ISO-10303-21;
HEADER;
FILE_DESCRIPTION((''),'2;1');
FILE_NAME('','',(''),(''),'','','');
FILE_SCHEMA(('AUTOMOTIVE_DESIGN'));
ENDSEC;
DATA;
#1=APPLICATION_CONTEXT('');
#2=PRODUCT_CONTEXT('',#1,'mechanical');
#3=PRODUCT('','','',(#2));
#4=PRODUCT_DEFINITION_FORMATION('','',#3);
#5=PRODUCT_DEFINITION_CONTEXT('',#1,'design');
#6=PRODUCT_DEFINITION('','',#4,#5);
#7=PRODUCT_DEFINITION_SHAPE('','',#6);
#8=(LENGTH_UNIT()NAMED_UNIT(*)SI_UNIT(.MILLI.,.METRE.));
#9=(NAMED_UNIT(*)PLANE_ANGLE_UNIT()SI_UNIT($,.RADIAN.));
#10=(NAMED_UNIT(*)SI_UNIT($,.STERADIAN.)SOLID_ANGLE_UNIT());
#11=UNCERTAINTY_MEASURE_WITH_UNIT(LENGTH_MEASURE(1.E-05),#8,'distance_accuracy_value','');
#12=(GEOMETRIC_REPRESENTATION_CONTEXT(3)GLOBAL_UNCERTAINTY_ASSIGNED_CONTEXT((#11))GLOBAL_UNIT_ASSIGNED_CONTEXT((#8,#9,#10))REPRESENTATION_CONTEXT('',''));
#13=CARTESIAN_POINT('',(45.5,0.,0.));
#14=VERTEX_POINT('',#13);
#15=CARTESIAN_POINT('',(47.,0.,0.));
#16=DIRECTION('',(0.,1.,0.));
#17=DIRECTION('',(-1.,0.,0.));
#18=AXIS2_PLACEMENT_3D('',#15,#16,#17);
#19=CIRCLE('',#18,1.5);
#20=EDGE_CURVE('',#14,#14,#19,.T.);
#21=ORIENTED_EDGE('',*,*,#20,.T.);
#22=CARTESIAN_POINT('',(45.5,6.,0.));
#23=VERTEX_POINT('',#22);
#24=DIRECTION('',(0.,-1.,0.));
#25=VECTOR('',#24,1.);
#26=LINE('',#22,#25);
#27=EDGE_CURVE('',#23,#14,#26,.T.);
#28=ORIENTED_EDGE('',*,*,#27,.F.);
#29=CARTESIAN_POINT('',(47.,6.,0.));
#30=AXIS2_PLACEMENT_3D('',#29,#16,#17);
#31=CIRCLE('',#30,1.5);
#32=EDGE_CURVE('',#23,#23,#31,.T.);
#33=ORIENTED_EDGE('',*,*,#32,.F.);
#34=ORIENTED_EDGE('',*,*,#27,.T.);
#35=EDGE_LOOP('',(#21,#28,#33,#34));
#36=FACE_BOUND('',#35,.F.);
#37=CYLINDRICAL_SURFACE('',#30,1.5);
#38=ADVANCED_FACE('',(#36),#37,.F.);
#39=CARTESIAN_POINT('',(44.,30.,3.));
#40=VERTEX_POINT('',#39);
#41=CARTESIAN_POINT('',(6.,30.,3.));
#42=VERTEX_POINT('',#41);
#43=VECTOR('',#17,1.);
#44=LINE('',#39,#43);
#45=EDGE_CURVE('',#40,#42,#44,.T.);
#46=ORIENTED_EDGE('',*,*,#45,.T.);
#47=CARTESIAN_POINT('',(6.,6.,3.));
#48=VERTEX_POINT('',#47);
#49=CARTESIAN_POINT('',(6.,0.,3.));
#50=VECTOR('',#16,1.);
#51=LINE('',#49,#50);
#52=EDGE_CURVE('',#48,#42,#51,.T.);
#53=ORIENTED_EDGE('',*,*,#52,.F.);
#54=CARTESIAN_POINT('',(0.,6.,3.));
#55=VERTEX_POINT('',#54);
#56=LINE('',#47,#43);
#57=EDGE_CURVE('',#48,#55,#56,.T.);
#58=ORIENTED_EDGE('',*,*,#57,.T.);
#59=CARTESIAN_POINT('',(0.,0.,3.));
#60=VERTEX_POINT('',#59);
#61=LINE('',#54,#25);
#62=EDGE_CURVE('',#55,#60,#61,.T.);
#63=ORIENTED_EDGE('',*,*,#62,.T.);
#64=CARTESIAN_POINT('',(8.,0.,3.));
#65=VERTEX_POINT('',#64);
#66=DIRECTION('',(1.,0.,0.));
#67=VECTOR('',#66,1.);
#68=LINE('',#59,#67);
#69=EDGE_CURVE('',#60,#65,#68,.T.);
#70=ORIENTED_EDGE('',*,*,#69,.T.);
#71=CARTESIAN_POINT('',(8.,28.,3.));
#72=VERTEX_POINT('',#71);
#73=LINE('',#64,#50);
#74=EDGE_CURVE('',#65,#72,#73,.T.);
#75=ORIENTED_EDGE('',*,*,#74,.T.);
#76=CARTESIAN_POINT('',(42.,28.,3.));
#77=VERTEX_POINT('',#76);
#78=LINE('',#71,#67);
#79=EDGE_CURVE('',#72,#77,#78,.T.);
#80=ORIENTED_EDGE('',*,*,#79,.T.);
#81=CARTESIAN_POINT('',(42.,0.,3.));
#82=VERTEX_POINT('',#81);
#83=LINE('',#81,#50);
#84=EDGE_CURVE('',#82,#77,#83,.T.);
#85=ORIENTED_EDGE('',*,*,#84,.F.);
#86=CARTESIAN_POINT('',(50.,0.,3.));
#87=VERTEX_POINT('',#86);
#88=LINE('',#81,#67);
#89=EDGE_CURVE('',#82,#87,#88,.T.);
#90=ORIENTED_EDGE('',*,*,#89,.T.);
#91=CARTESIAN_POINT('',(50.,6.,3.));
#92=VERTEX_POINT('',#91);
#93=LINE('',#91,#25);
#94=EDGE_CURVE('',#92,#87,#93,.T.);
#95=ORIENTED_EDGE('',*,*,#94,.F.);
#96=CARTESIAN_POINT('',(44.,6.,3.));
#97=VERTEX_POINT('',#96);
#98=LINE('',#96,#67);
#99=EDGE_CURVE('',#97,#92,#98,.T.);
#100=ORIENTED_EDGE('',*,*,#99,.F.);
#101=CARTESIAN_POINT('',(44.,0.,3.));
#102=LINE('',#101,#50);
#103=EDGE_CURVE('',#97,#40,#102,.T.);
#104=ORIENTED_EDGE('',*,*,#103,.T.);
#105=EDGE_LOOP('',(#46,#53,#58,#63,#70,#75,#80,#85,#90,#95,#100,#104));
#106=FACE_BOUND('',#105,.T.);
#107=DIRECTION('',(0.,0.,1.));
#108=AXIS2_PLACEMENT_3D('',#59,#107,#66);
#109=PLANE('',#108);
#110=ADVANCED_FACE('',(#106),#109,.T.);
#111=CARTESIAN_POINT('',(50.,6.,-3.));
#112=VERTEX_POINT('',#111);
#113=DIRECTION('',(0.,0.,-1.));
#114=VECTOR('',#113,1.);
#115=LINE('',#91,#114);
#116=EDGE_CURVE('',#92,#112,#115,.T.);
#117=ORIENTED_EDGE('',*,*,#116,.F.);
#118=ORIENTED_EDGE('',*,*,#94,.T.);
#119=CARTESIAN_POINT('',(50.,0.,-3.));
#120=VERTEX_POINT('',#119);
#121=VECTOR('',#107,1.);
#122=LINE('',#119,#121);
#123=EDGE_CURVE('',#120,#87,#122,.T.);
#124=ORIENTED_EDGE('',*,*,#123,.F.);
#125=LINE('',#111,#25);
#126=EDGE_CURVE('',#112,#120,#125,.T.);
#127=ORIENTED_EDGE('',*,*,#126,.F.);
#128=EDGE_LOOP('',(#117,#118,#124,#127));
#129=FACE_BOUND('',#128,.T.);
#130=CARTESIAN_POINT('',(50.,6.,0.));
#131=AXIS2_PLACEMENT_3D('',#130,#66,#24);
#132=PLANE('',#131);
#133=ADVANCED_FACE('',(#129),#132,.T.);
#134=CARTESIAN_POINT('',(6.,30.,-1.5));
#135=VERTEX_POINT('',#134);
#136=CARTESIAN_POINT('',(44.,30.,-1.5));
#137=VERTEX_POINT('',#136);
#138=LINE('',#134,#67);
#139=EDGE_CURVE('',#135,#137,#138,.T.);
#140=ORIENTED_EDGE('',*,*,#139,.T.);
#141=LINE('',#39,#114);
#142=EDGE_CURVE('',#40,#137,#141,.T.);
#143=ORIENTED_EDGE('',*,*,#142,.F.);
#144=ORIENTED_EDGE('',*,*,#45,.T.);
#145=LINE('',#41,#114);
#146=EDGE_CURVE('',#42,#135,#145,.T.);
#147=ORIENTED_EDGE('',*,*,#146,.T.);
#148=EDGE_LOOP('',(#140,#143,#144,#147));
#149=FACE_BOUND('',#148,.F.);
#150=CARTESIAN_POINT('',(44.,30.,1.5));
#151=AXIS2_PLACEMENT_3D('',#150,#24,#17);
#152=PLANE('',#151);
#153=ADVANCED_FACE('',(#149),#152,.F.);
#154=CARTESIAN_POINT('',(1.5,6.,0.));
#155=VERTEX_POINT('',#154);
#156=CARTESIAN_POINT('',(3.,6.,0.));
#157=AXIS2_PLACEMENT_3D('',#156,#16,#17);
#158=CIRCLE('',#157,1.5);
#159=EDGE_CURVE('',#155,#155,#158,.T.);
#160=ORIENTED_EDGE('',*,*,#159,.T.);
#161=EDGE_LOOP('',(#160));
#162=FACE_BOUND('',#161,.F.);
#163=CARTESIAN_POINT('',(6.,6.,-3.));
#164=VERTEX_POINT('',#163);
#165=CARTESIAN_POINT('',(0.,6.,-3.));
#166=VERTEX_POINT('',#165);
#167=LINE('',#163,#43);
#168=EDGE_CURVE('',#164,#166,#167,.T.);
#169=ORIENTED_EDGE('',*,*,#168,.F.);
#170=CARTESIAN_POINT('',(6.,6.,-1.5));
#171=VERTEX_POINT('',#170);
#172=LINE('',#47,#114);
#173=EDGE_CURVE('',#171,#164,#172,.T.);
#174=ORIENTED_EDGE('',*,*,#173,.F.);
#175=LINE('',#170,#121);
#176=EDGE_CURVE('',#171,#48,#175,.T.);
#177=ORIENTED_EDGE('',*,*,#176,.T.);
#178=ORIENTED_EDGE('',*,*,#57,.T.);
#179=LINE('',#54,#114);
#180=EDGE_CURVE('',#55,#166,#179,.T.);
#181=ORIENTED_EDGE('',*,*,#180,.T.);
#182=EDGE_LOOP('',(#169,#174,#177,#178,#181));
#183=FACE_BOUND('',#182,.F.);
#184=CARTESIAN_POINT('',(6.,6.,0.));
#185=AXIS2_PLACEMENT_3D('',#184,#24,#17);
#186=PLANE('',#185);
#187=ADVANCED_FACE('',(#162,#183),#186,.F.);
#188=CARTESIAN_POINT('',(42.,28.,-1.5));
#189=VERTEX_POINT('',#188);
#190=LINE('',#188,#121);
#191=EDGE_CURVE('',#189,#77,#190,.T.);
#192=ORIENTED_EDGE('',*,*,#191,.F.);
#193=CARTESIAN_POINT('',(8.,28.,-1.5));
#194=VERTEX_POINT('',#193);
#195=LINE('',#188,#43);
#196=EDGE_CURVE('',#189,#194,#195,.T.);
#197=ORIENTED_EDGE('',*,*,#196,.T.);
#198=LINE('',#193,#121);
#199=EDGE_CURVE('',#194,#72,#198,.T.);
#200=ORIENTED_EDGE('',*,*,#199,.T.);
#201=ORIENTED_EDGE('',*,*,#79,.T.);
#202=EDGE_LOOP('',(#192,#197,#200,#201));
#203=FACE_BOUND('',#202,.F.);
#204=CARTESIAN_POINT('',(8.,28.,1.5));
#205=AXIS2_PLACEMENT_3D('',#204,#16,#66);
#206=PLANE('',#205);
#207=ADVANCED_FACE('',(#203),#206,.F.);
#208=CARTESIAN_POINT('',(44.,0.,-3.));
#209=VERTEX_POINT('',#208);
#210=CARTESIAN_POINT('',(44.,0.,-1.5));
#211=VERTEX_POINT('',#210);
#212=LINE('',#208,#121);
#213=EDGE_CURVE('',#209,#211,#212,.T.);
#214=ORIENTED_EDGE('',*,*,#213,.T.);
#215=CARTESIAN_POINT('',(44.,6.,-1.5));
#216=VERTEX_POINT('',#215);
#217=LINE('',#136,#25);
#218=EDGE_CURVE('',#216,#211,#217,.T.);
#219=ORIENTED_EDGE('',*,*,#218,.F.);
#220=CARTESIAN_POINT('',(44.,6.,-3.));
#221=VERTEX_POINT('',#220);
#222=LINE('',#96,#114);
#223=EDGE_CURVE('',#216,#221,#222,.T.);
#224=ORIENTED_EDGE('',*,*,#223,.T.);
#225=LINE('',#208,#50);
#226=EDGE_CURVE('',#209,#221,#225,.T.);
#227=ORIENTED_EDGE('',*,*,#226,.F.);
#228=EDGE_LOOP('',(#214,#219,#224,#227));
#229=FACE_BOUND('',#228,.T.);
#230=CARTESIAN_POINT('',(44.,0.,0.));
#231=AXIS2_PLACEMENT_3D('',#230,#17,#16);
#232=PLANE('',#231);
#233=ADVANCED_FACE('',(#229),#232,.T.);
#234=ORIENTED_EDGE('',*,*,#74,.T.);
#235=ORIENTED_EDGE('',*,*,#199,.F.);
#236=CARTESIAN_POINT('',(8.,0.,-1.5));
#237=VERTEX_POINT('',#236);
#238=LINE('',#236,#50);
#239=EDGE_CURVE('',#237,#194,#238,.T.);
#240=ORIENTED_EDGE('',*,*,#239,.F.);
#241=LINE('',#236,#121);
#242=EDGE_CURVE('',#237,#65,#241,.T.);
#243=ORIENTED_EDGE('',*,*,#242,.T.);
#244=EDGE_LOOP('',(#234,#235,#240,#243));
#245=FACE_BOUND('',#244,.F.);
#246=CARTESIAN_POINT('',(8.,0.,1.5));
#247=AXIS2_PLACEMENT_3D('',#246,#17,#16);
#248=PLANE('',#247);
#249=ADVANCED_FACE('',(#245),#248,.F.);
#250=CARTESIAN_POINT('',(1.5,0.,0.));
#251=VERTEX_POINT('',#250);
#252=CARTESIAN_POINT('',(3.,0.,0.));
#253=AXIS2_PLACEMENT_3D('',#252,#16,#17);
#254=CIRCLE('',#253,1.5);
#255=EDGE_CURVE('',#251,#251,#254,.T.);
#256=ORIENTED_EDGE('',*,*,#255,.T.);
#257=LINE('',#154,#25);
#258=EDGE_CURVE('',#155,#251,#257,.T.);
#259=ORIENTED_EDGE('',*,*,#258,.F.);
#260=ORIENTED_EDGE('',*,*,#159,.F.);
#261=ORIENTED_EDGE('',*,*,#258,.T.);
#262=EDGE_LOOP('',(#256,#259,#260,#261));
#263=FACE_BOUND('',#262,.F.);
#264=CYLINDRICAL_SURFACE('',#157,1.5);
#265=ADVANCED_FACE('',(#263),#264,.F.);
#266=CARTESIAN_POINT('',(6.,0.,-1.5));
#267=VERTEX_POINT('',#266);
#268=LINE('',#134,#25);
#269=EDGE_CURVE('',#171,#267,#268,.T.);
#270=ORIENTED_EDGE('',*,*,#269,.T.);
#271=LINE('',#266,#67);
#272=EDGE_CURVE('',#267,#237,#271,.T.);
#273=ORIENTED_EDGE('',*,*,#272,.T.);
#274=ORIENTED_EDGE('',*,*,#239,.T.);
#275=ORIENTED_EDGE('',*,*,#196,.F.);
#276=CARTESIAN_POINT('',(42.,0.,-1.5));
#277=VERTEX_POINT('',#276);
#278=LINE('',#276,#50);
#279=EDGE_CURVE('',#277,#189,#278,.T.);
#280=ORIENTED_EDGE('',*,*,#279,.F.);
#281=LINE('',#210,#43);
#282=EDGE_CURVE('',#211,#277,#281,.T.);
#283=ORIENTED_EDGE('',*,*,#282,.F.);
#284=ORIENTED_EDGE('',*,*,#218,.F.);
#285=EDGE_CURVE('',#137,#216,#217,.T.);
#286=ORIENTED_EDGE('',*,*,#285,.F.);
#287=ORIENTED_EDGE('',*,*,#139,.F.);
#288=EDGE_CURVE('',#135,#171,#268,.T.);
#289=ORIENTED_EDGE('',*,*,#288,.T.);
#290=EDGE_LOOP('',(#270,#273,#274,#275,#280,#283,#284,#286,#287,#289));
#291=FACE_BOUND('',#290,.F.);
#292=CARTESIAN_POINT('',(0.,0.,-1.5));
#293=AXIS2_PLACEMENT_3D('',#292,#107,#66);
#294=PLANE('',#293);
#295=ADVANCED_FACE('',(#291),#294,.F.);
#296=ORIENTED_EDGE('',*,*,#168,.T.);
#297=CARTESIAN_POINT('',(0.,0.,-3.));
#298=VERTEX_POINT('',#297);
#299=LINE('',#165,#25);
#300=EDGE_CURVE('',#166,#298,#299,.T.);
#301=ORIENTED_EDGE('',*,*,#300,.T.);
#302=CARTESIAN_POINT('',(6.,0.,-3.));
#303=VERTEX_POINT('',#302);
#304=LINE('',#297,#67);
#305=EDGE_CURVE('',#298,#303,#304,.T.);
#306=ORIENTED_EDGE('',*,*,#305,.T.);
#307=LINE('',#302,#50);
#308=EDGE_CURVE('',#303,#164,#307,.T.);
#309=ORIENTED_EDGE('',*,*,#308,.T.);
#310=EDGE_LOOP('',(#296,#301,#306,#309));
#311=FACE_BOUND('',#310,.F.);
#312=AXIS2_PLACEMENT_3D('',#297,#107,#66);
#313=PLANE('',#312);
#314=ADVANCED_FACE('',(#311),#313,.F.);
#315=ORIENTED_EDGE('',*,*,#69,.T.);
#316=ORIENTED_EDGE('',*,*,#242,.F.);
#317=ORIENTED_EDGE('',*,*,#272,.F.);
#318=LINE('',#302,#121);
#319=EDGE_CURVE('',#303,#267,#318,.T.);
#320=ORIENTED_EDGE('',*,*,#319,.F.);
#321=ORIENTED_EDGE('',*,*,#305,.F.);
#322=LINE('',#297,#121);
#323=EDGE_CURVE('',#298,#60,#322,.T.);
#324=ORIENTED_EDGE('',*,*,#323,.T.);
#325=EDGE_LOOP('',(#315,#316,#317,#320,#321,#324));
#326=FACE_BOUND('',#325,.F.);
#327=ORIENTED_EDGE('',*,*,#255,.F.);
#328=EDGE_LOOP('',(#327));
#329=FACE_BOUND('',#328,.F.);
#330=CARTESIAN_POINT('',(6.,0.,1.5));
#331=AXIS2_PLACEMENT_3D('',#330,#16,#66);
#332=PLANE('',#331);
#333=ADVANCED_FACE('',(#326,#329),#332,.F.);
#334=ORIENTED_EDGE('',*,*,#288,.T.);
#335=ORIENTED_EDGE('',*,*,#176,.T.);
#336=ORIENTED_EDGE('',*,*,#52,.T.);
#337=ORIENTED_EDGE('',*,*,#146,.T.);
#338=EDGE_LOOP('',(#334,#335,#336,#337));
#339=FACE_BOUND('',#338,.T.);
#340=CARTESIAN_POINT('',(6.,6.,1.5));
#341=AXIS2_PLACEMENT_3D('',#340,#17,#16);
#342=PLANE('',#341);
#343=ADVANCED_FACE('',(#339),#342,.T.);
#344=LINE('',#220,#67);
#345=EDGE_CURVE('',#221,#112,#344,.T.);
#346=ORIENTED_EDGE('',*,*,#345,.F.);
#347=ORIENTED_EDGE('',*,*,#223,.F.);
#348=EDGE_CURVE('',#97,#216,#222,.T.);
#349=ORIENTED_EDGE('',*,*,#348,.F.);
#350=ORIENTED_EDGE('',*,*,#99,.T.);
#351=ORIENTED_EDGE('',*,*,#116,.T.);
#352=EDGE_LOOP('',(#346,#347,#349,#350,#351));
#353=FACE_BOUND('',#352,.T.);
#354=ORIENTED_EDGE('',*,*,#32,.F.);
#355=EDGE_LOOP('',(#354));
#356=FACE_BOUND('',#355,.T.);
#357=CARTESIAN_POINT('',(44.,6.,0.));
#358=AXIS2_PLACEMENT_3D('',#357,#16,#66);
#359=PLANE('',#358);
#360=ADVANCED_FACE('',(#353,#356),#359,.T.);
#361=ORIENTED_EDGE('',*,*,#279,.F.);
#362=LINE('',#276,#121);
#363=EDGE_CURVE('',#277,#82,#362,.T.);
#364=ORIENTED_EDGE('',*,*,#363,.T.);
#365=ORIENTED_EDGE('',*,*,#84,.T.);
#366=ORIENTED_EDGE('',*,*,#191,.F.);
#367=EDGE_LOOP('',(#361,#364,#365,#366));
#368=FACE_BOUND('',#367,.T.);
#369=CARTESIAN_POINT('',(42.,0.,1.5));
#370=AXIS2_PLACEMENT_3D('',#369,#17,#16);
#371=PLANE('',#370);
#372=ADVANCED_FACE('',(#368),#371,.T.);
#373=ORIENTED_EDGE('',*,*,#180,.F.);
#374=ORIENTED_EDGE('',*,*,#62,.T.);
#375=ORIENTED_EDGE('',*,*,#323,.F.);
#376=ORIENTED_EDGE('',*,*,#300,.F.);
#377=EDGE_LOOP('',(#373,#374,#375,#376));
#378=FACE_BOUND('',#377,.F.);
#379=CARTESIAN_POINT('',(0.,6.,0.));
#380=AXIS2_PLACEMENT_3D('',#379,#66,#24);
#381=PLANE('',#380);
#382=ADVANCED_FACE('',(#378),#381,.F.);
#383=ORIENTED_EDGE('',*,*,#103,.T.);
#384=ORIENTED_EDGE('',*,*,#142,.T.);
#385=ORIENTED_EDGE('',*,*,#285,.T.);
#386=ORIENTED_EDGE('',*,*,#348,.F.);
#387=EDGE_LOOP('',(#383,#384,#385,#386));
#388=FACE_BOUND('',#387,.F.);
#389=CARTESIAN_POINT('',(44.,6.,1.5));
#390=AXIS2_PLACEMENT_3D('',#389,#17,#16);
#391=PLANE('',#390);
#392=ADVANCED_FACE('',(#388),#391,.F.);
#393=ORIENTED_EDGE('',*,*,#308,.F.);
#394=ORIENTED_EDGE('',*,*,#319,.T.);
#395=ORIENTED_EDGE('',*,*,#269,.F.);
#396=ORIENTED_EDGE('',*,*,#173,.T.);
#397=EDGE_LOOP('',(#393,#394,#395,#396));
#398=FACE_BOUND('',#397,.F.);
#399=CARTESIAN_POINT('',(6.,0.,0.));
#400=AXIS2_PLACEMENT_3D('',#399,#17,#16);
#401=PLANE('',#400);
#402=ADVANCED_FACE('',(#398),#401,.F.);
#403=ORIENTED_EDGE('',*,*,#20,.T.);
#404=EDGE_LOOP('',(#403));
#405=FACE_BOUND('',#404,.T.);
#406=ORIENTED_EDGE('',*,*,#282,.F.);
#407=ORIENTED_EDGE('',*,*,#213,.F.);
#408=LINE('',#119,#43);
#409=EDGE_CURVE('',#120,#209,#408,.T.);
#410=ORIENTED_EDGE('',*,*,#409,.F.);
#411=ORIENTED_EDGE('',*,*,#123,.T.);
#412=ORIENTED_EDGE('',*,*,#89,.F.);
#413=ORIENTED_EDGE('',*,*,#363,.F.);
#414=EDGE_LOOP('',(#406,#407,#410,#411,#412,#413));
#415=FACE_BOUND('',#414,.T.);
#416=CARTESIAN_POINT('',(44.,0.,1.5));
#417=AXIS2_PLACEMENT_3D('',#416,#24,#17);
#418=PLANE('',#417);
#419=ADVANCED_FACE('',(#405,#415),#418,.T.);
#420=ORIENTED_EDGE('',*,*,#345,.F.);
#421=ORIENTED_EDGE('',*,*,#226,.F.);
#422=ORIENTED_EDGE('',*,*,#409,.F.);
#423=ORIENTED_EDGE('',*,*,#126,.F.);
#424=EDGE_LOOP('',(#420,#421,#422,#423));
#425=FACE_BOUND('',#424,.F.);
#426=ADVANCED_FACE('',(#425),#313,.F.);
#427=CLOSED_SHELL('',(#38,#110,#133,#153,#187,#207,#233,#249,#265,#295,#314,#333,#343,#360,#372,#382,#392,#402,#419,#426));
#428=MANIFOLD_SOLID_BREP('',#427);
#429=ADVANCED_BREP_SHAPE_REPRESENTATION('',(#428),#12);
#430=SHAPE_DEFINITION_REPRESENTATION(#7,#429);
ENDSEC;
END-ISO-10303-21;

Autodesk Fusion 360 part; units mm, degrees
sketch "Sketch1" plane through (0, 0, 0) normal (0, 0, 1) x (1, 0, 0)
  line L0 (0, 0) -> (6, 0)
  line L1 (6, 0) -> (6, 6)
  line L2 (6, 6) -> (0, 6)
  line L3 (0, 6) -> (0, 0)
  line L4 (6, 0) -> (8, 0)
  line L5 (8, 0) -> (8, 30)
  line L6 (8, 30) -> (6, 30)
  line L7 (6, 30) -> (6, 0)
  line L8 (6, 30) -> (25, 30)
  line L9 (25, 30) -> (25, 28)
  line L10 (25, 28) -> (6, 28)
  line L11 (6, 28) -> (6, 30)
  line L12 (50, 6) -> (50, 0)
  line L13 (44, 6) -> (50, 6)
  line L14 (44, 0) -> (42, 0)
  line L15 (50, 0) -> (44, 0)
  line L16 (44, 30) -> (25, 30)
  line L17 (42, 0) -> (42, 30)
  line L18 (44, 0) -> (44, 6)
  line L19 (44, 30) -> (44, 0)
  line L20 (25, 28) -> (44, 28)
  line L21 (44, 28) -> (44, 30)
  line L22 (42, 30) -> (44, 30)
  point P0 (50, 0)
  dimension "d1" = 6
  dimension "d2" = 6
  dimension "d3" = 2
  dimension "d4" = 30
  dimension "d5" = 19
  dimension "d6" = 2
extrude "Extrude1" add sketch "Sketch1" along normal blind 3 and the other way blind 3 contours L0 L1 L2 L3 L7 | L12 L13 L15 L18 L19 makes body 1 at (0, 2, 1) makes body 2 at (46, 2, 3)
extrude "Extrude2" add sketch "Sketch1" along normal blind 1.5 and the other way blind 1.5 contours L1 L4 L5 L7 L10 | L5 L6 L7 L8 L10 L11 | L5 L8 L9 L10 | L9 L16 L17 L20 | L14 L17 L18 L19 L20 | L16 L17 L19 L20 L21 L22 bodies 1 2
sketch "Sketch2" plane through (0, 6, 0) normal (0, 1, 0) x (-1, 0, 0)
  line L0 (0, -3) -> (0, 3)
  line L1 (0, 3) -> (-6, 3)
  line L2 (-6, 3) -> (-6, 1.5)
  line L3 (-6, 1.5) -> (-6, -1.5)
  line L4 (-6, -1.5) -> (-6, -3)
  line L5 (-6, -3) -> (0, -3)
  circle A0 centre (-3, 0) radius 1.5
  circle A1 centre (-47, 0) radius 1.5
  line L6 (-50, -3) -> (-50, 3)
  line L7 (-44, -3) -> (-50, -3)
  dimension "d15" = 3
  dimension "d16" = 3
  dimension "d17" = 3
  dimension "d18" = 3
  dimension "d19" = 3
  dimension "d20" = 3
extrude "Extrude3" cut sketch "Sketch2" against normal blind 18 contours A0 | A1 bodies 1
extrude "Extrude4" add 1 faces at (7.3333, 11.3333, 1.5) along direction (0, 0, 1) blind 1.5 on bodies 1 bodies 1
